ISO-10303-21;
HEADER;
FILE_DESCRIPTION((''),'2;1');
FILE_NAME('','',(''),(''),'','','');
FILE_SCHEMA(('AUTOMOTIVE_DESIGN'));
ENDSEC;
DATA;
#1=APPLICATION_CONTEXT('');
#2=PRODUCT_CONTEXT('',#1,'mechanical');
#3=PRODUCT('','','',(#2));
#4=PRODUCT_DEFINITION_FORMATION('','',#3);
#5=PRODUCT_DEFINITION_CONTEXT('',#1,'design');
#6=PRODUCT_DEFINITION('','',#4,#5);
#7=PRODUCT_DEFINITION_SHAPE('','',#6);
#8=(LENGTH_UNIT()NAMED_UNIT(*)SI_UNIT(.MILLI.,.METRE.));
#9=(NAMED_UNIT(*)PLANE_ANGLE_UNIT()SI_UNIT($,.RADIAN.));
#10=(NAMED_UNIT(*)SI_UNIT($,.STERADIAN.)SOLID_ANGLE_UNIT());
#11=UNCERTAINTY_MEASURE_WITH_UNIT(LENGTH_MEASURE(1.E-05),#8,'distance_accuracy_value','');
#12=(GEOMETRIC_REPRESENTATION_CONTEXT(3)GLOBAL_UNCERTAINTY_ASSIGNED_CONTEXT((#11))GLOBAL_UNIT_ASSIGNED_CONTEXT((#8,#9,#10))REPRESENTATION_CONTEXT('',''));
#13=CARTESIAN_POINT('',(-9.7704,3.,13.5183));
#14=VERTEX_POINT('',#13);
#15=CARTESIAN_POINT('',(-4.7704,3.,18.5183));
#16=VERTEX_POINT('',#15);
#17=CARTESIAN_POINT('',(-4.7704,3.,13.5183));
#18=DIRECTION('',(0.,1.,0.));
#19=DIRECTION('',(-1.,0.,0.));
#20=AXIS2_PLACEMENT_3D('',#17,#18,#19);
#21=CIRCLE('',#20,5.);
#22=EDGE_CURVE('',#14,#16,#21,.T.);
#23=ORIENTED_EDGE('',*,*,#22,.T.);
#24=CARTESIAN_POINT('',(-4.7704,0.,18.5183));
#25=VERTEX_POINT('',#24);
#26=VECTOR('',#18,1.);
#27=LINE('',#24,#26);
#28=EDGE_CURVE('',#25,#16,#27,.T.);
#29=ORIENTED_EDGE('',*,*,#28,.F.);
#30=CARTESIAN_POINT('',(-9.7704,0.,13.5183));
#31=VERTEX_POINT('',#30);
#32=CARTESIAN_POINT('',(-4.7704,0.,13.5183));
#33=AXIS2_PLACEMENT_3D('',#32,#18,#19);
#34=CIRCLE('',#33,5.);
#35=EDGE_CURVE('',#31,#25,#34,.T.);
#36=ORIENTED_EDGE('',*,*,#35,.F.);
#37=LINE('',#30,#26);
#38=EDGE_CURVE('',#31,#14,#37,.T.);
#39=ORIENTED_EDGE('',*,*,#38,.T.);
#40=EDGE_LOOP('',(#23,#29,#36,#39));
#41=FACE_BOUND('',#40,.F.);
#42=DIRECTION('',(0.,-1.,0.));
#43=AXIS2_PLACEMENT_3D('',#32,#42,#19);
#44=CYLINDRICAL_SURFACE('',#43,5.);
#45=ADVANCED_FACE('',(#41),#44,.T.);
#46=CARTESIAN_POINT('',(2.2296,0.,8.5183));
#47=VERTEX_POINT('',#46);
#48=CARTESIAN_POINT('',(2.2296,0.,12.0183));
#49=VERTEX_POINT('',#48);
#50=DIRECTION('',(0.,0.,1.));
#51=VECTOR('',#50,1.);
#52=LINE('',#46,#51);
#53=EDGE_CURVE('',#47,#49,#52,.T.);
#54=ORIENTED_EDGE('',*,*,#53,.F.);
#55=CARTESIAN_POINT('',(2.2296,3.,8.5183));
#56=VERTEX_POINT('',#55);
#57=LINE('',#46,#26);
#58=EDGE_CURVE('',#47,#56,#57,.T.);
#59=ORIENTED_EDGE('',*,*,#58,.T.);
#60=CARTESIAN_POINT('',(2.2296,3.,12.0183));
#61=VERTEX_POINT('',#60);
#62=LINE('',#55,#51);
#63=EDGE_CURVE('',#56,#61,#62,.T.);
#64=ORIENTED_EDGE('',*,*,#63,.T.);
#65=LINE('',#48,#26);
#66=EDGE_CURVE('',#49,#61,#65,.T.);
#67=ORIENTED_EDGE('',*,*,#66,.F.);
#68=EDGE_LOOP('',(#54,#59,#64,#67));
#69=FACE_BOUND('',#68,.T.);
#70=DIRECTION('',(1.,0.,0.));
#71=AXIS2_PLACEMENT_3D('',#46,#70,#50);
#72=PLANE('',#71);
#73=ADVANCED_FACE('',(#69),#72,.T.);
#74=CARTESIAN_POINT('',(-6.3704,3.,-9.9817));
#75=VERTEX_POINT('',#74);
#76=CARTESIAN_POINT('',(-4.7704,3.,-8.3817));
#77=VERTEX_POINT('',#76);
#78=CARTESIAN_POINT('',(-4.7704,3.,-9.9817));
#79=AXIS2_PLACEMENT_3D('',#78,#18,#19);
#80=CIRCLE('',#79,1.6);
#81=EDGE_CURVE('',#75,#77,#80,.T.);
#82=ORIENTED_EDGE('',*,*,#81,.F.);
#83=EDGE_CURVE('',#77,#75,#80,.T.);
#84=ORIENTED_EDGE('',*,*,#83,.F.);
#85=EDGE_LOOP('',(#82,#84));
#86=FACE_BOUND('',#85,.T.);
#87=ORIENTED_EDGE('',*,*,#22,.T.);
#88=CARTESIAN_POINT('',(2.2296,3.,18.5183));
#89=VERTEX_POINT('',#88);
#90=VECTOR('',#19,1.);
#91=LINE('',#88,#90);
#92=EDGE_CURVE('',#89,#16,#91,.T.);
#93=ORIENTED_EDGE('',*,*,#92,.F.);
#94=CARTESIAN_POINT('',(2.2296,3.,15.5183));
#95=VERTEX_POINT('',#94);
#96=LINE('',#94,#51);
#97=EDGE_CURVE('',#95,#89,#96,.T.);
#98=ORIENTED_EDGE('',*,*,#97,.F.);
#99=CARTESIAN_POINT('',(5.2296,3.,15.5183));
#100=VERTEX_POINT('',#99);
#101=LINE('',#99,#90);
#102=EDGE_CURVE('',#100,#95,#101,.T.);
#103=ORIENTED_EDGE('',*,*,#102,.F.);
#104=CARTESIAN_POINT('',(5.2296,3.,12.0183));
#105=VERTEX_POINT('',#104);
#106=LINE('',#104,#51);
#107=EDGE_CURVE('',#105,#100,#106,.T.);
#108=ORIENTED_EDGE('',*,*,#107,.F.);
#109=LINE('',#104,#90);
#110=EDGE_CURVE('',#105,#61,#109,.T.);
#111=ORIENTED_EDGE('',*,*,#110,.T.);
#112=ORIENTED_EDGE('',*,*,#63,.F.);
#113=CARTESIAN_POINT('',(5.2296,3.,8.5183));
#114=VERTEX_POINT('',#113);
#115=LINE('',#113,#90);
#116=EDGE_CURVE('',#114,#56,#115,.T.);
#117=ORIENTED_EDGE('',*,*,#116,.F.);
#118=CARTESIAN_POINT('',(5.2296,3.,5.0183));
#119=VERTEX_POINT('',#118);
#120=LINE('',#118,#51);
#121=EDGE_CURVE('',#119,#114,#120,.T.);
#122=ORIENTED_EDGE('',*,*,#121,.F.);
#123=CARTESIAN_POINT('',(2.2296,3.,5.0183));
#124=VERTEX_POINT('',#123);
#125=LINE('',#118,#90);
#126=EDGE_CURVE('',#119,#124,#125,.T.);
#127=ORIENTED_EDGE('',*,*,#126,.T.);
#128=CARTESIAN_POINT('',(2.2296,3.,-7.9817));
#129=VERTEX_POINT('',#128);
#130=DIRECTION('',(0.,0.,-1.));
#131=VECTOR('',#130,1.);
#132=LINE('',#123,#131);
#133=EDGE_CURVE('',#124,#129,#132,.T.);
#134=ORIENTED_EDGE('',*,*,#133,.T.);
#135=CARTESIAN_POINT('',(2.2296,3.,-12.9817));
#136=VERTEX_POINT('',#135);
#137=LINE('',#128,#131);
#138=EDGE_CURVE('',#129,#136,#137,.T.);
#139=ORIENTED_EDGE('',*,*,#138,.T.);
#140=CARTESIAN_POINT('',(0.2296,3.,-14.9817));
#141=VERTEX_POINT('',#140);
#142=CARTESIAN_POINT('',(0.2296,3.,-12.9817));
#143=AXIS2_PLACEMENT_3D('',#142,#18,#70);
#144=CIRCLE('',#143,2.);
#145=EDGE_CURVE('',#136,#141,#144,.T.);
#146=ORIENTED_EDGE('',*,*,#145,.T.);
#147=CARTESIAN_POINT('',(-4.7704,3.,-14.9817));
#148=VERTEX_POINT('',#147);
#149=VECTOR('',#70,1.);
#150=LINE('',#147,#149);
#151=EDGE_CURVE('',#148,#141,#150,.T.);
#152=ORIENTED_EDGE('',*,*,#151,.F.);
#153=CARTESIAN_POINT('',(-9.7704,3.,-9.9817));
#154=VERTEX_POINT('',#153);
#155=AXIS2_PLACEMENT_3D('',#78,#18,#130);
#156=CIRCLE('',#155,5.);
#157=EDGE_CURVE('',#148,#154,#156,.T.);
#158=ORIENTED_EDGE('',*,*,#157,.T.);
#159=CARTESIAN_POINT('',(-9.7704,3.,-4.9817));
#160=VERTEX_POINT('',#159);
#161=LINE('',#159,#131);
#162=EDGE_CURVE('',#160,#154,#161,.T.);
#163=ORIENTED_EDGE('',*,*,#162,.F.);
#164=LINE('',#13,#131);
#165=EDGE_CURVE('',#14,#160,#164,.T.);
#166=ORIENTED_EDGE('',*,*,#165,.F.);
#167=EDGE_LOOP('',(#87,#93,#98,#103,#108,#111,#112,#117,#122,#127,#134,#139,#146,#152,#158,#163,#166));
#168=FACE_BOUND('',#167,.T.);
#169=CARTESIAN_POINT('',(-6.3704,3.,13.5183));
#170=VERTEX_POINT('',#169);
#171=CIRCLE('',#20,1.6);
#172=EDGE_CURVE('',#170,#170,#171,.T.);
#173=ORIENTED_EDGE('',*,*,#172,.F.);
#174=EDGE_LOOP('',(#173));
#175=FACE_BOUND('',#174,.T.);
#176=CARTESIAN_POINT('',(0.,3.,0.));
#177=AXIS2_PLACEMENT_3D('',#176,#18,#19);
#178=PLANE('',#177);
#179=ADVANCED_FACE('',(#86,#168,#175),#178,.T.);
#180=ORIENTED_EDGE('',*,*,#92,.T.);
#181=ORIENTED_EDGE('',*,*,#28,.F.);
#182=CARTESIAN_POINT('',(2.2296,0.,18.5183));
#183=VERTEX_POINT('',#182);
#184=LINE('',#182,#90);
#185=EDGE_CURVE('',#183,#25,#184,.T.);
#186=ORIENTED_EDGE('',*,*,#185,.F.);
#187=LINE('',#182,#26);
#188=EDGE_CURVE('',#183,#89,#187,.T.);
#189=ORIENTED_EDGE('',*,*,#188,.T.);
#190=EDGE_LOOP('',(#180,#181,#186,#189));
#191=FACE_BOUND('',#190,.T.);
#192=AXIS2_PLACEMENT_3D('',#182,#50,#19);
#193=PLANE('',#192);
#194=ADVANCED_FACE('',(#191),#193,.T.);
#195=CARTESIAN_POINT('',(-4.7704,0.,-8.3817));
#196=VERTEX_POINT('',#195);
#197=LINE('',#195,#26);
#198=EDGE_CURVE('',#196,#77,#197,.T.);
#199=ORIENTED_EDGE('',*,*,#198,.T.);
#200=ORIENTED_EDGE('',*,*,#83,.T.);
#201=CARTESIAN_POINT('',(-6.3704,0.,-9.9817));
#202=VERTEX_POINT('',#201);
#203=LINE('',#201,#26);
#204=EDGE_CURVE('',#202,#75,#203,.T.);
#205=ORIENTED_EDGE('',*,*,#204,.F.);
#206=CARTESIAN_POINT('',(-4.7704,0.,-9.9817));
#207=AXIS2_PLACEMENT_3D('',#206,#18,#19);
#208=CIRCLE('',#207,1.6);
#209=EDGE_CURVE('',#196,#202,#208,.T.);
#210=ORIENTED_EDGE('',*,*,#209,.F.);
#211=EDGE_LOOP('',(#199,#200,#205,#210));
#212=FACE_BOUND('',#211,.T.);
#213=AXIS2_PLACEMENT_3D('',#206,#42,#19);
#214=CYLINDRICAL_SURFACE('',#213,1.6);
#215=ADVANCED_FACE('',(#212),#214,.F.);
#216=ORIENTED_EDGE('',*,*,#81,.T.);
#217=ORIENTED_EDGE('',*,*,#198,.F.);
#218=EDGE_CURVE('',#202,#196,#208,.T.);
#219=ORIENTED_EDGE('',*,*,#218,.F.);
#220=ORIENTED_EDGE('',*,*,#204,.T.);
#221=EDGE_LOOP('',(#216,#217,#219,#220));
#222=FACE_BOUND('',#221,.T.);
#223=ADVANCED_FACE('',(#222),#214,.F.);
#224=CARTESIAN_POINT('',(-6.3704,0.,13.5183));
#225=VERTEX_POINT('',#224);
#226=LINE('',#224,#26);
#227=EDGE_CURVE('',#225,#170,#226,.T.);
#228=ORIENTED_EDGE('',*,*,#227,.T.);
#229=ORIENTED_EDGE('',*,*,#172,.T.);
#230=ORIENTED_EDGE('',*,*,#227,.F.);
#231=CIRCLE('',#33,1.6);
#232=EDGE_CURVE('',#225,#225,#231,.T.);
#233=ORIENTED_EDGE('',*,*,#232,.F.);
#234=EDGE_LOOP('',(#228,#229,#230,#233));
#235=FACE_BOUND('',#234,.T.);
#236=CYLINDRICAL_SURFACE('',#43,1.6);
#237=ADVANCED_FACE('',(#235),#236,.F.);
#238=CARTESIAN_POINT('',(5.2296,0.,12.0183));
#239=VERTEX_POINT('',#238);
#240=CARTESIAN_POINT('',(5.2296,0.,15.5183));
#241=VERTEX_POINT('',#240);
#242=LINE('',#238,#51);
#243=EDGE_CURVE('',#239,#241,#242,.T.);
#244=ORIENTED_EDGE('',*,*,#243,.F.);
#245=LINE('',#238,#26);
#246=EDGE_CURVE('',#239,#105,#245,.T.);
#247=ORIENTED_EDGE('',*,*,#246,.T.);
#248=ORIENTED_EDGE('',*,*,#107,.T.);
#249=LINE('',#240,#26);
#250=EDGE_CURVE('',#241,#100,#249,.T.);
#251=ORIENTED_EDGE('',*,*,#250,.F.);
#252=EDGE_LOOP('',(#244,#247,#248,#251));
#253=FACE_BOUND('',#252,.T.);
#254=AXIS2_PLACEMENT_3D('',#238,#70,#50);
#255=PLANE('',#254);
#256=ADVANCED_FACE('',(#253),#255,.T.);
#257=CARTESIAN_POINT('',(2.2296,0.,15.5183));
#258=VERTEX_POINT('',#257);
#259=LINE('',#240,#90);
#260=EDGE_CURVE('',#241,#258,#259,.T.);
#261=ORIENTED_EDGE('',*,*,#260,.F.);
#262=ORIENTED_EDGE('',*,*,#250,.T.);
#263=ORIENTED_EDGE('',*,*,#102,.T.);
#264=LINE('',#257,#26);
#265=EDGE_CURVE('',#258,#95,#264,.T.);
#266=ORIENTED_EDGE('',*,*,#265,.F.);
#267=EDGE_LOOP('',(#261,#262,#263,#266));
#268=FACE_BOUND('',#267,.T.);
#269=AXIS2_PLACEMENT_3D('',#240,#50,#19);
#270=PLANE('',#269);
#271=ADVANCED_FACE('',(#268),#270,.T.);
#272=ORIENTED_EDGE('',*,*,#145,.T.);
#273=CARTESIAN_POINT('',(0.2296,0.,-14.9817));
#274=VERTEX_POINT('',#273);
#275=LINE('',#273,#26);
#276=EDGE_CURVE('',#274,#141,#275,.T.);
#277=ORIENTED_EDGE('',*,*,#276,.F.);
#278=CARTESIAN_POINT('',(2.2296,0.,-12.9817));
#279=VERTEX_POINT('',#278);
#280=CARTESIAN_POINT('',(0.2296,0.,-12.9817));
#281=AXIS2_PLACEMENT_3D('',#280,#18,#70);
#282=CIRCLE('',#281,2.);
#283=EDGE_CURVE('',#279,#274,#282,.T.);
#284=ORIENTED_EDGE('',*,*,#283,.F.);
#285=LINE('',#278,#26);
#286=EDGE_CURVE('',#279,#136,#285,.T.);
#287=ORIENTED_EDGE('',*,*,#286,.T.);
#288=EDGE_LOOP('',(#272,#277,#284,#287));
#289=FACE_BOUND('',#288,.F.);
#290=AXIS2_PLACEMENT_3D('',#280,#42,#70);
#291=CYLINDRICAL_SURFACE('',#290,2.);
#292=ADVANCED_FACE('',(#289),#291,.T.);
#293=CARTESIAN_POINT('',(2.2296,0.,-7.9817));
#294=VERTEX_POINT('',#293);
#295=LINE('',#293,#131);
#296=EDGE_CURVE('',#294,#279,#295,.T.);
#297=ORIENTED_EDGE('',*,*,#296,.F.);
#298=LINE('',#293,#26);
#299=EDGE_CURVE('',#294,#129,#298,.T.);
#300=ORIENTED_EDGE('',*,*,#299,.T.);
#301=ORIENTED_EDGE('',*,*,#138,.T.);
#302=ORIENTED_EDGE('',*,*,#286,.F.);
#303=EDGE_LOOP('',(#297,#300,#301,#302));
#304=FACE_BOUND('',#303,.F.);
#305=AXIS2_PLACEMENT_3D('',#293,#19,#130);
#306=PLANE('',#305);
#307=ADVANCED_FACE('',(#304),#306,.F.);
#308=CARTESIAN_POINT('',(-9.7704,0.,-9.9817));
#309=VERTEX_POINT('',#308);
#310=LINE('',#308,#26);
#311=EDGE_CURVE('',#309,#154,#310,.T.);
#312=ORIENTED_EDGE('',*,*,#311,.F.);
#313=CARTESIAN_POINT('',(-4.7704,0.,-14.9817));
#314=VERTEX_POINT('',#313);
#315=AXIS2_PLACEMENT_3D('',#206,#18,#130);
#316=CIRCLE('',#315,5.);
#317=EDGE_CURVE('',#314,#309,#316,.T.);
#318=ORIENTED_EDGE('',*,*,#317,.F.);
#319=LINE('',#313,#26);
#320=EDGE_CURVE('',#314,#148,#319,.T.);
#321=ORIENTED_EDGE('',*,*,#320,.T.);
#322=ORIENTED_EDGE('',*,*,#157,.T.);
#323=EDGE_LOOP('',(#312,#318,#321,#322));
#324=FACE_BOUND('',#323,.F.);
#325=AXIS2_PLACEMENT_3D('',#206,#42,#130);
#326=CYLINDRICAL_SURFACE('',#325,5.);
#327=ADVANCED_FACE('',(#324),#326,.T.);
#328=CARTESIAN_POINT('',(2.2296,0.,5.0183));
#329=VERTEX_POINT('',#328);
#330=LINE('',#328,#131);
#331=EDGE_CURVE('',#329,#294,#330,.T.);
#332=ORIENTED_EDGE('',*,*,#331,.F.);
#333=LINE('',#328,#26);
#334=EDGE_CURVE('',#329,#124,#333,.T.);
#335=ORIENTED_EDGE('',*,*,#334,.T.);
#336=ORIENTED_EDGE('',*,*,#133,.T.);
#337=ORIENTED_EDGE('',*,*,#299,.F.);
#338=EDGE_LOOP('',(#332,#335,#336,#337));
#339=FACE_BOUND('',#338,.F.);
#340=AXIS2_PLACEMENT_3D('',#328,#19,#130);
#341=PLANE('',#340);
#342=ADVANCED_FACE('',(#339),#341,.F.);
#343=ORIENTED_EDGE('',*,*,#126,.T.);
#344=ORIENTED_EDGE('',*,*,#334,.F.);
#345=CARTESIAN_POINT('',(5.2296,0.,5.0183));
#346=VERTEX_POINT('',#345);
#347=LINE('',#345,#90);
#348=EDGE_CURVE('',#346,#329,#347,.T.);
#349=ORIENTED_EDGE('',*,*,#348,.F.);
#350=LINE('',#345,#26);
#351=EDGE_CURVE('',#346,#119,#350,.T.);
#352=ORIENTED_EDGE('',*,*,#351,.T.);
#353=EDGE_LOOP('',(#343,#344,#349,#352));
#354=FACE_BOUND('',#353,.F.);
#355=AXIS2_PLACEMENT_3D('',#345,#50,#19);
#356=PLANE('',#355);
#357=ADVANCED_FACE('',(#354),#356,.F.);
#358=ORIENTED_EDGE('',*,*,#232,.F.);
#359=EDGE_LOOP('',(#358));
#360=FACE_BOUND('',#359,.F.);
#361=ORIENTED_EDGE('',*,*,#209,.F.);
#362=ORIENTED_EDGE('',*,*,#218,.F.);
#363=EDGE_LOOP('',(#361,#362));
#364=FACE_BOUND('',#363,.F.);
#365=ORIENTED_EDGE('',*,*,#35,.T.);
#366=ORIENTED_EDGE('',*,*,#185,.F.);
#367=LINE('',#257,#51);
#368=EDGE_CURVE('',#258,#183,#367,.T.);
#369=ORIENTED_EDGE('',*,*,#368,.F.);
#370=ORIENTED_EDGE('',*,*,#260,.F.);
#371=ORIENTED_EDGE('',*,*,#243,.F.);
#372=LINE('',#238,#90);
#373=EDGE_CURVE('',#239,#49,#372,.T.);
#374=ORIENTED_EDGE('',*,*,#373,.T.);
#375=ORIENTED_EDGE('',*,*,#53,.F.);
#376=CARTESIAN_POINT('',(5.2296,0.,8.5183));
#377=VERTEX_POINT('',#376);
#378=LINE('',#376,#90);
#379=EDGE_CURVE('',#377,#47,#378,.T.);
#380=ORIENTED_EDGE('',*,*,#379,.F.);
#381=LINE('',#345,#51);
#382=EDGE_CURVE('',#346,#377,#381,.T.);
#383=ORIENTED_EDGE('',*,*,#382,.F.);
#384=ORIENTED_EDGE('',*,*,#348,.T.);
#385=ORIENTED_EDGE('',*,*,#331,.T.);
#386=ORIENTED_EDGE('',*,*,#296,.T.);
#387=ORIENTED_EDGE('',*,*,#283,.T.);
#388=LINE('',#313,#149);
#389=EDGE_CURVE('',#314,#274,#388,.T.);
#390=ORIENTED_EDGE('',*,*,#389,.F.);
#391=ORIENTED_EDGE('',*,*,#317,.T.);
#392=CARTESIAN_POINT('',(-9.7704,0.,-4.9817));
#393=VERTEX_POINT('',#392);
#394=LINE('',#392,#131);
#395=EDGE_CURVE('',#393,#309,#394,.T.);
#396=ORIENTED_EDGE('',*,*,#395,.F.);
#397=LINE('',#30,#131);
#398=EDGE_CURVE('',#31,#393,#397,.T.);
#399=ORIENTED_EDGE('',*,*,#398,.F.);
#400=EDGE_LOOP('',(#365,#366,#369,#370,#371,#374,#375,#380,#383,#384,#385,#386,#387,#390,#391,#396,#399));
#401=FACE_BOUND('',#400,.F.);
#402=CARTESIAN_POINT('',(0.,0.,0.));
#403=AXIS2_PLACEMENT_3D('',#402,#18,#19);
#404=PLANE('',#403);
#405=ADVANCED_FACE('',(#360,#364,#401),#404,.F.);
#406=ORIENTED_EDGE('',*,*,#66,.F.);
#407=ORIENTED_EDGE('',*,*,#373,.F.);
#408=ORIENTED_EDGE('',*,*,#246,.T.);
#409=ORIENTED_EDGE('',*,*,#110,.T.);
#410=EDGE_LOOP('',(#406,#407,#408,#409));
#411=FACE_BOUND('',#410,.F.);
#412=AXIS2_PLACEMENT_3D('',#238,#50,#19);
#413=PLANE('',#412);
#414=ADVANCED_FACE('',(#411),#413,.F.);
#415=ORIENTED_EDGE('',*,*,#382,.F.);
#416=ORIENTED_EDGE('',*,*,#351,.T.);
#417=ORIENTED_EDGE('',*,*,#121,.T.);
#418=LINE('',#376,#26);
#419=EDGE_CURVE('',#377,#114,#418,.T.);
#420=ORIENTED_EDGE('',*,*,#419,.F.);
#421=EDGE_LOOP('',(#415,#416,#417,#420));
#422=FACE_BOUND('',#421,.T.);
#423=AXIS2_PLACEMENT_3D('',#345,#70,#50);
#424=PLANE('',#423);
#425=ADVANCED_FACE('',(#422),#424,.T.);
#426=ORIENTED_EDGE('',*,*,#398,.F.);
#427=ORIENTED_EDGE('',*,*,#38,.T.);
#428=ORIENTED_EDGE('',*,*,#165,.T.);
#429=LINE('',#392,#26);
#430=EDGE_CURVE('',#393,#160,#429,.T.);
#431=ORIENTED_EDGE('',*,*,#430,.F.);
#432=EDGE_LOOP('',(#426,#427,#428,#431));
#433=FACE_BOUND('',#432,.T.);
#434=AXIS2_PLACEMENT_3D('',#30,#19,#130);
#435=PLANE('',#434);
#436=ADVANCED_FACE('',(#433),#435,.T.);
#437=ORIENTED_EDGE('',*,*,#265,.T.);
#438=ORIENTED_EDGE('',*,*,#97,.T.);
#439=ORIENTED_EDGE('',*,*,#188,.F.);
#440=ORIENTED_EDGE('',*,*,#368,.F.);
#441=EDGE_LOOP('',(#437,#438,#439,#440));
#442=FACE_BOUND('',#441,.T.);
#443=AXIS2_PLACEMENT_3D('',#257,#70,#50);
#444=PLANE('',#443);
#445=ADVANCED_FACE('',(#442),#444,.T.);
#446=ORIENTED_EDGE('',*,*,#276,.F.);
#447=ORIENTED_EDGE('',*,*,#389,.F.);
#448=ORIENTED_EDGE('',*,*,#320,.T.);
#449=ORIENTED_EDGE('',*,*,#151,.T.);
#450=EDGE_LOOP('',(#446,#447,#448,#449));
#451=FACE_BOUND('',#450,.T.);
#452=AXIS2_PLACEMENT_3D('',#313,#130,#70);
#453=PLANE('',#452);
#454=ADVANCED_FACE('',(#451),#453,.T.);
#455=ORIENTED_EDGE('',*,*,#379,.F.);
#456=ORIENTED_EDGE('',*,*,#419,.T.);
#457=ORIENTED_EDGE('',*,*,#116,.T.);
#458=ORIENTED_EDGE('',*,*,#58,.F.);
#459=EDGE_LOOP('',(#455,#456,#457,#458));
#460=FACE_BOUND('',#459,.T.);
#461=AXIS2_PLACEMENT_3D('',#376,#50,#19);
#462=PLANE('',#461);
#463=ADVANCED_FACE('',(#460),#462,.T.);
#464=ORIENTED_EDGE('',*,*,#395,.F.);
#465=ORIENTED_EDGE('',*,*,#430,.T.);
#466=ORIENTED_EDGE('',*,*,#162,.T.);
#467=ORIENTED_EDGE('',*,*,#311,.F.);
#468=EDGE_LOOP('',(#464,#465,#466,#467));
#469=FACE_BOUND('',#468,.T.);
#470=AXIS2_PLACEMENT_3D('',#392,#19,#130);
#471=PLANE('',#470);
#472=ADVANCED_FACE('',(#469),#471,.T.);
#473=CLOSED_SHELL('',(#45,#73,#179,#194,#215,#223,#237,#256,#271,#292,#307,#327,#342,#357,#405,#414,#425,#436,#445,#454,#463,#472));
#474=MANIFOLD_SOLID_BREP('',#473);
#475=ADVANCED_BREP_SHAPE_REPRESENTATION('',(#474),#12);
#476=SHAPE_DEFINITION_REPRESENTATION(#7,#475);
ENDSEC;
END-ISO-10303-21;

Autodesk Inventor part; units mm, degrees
ref_plane "YZ Plane" through (0, 0, 0) normal (1, 0, 0) x (0, 1, 0)
ref_plane "XZ Plane" through (0, 0, 0) normal (0, 1, 0) x (-1, 0, 0)
ref_plane "XY Plane" through (0, 0, 0) normal (0, 0, 1) x (1, 0, 0)
sketch "Sketch1" plane through (0, 0, 0) normal (0, 1, 0) x (-1, 0, 0)
  circle A0 centre (4.7704, 13.5183) radius 1.6
  circle A1 centre (4.7704, -9.9817) radius 1.6
  line L0 (-5.2296, 5.0183) -> (-2.2296, 5.0183)
  line L1 (-5.2296, 15.5183) -> (-2.2296, 15.5183)
  line L2 (-5.2296, 8.5183) -> (-2.2296, 8.5183)
  line L3 (-5.2296, 12.0183) -> (-2.2296, 12.0183)
  line L4 (-5.2296, 5.0183) -> (-5.2296, 8.5183)
  line L5 (-5.2296, 12.0183) -> (-5.2296, 15.5183)
  line L6 (-2.2296, 15.5183) -> (-2.2296, 18.5183)
  line L7 (-2.2296, 5.0183) -> (-2.2296, -7.9817)
  line L8 (-2.2296, 8.5183) -> (-2.2296, 12.0183)
  line L9 (-2.2296, 18.5183) -> (4.7704, 18.5183)
  arc A2 (9.7704, 13.5183) -> (4.7704, 18.5183) centre (4.7704, 13.5183) ccw
  line L10 (9.7704, 13.5183) -> (9.7704, -4.9817)
  arc A3 (4.7704, -14.9817) -> (9.7704, -9.9817) centre (4.7704, -9.9817) ccw
  line L11 (4.7704, -14.9817) -> (-0.2296, -14.9817)
  arc A4 (-2.2296, -12.9817) -> (-0.2296, -14.9817) centre (-0.2296, -12.9817) ccw
  line L12 (4.7704, -4.9817) -> (4.7704, -9.9817)
  line L13 (-2.2296, -7.9817) -> (-2.2296, -12.9817)
  line L14 (9.7704, -4.9817) -> (9.7704, -9.9817)
  point P0 (0, 0)
  dimension "d2" = 5
extrude "Extrusion1" add sketch "Sketch1" along normal blind 3
properties part number "camMountBracket"
